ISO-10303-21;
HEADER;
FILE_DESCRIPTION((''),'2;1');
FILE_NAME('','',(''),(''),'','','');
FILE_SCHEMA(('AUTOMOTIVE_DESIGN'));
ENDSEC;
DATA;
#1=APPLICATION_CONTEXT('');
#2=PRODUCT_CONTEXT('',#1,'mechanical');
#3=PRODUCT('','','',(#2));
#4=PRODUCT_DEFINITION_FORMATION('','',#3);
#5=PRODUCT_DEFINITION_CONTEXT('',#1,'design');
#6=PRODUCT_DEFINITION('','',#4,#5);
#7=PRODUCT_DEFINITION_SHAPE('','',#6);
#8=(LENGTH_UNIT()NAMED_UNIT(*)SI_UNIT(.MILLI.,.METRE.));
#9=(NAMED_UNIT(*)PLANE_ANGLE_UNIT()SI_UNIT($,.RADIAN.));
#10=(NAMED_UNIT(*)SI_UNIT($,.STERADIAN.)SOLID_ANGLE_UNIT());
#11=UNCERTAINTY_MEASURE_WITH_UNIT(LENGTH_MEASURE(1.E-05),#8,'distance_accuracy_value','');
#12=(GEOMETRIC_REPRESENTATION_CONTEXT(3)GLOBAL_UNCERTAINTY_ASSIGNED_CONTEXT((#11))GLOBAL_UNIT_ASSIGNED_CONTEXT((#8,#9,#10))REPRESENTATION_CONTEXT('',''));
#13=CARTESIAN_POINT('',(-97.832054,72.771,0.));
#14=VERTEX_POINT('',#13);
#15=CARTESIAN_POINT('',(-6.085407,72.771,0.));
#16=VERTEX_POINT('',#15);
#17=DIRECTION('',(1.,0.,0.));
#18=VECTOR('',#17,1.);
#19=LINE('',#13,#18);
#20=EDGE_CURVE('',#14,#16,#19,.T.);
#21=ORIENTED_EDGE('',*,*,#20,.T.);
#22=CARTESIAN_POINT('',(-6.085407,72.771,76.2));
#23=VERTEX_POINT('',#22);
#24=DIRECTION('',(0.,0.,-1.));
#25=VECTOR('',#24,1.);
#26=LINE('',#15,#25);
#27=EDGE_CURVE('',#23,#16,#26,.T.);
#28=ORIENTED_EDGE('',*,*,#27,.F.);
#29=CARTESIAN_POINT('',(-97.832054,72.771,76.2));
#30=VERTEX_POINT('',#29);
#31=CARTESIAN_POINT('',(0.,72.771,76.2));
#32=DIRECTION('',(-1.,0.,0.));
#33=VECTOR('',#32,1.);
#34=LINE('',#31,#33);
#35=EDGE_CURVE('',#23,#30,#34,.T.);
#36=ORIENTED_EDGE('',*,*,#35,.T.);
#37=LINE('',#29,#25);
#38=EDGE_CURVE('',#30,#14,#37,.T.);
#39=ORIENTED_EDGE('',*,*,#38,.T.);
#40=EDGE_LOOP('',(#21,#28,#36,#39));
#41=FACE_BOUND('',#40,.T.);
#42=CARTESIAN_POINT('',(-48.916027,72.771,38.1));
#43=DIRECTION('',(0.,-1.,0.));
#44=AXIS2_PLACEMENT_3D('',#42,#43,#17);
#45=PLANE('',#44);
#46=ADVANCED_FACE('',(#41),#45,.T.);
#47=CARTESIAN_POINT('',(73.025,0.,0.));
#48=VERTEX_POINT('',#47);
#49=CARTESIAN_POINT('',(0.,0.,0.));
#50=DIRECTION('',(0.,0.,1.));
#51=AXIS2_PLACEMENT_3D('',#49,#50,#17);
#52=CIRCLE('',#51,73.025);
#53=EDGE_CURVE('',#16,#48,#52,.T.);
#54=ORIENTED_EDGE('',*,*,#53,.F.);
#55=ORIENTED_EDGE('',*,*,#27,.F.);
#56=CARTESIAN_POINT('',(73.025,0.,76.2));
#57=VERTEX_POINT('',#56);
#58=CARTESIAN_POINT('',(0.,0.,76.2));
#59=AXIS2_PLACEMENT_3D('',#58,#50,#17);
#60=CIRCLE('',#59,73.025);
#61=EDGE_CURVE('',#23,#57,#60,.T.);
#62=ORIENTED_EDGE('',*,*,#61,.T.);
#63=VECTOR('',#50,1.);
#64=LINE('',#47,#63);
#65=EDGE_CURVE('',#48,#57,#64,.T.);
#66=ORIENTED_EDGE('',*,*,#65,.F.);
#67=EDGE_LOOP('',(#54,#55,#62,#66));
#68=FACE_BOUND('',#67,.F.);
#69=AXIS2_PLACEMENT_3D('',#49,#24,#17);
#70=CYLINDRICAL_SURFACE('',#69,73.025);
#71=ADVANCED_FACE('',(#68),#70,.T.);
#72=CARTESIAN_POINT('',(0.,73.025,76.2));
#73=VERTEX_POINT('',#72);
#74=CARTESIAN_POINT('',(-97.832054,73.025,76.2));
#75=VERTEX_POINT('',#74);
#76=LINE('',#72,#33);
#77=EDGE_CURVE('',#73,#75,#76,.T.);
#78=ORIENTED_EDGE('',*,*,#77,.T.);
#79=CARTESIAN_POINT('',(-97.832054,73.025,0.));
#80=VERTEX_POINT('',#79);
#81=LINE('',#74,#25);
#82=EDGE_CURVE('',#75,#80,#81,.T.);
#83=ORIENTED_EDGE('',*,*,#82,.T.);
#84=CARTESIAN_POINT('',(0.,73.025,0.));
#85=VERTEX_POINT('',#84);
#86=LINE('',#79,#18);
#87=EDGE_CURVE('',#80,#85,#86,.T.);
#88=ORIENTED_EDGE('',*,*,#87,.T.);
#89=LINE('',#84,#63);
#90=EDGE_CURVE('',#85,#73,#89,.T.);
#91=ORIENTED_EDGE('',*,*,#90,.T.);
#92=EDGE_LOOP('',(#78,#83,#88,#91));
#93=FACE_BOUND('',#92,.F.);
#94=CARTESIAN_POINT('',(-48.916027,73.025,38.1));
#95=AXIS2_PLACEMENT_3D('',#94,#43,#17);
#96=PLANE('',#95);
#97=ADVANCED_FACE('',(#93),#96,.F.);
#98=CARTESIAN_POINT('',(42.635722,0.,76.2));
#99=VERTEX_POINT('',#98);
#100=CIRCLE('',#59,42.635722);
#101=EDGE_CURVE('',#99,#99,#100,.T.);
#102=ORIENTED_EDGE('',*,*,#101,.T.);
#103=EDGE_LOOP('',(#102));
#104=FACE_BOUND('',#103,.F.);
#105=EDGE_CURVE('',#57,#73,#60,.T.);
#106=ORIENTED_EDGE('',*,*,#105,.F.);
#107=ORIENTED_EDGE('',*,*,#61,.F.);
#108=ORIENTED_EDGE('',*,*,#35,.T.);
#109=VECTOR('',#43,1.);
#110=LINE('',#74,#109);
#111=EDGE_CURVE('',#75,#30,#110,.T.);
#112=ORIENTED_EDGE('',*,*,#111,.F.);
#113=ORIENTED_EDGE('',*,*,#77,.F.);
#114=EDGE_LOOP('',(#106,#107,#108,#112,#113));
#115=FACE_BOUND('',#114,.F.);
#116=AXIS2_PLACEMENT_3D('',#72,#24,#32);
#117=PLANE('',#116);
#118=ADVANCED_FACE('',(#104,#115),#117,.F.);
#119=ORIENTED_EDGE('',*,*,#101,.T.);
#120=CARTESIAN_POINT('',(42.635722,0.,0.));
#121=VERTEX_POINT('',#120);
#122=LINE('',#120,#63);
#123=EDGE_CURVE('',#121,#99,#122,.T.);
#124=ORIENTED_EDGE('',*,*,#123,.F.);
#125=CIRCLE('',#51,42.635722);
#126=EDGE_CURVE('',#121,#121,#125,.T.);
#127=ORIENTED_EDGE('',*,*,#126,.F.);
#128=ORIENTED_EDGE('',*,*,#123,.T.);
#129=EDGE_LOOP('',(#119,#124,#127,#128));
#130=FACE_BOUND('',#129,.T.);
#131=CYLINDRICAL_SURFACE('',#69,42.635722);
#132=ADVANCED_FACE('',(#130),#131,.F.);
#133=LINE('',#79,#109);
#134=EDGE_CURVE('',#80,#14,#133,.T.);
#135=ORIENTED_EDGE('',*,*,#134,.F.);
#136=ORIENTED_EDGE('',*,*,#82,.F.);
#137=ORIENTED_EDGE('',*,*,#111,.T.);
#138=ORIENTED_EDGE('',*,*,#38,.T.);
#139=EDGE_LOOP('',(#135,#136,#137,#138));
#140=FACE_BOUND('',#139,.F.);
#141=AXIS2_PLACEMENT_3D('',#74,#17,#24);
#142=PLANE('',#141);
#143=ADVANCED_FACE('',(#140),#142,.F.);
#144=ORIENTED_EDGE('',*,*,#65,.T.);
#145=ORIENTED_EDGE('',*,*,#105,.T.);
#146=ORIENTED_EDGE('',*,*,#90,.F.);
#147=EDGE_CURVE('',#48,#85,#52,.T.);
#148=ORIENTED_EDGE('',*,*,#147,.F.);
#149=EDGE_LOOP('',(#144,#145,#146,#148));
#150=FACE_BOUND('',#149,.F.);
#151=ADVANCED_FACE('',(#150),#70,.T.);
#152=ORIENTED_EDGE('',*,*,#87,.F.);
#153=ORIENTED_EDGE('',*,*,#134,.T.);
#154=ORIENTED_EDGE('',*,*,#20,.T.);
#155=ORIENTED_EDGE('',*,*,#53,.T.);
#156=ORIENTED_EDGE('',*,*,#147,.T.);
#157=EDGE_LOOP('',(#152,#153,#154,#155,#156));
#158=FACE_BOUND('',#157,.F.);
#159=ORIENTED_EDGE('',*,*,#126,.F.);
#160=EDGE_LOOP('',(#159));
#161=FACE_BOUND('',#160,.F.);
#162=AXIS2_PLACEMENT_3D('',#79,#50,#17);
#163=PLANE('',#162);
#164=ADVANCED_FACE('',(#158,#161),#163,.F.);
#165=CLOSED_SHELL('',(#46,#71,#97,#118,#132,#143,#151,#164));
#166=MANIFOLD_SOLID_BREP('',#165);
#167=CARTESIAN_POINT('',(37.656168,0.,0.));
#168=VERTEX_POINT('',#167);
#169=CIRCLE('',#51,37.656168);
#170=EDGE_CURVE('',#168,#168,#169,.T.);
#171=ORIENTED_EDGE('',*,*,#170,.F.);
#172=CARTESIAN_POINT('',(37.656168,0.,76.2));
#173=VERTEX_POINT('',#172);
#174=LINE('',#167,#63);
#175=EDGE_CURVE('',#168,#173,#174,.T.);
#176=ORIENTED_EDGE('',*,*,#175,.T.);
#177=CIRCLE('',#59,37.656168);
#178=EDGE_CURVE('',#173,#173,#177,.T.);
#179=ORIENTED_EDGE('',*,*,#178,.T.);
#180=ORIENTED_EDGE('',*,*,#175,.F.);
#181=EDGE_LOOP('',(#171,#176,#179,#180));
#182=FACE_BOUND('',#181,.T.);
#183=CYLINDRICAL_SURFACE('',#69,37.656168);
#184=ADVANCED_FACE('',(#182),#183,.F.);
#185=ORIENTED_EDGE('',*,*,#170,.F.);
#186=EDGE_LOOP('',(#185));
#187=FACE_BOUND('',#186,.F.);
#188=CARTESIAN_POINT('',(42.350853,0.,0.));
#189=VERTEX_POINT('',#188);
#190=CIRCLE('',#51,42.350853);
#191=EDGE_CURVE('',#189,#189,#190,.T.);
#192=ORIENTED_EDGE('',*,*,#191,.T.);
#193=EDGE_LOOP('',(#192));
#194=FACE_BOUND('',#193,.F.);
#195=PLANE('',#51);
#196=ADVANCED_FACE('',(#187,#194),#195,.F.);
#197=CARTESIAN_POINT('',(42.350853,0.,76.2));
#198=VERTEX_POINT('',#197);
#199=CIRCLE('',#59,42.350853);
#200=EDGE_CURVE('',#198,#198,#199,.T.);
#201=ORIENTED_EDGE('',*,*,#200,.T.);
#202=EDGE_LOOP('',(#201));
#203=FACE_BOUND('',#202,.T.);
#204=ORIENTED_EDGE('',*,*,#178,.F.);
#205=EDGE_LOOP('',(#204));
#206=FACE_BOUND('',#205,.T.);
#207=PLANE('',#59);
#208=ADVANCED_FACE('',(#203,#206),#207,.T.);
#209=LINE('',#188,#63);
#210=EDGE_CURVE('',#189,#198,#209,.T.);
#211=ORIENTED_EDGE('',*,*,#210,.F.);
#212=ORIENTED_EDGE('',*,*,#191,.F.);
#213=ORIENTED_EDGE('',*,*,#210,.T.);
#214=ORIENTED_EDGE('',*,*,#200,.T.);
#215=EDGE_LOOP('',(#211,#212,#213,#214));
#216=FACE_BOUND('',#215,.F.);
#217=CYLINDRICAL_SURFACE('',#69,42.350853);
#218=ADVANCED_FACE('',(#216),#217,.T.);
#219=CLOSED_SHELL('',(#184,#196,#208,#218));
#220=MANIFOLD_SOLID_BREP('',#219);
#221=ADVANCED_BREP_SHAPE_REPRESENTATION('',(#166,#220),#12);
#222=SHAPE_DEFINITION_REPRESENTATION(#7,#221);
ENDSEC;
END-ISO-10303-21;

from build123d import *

# Parameters (mm, degrees)
F0_R     = 73.025
F0_R_2   = 42.635722
F1_DEPTH = 76.2
F2_R     = 42.350853
F2_R_2   = 37.656168
F3_DEPTH = 76.2
F6_DEPTH = 0.254


with BuildPart() as f1:
    # F0 (on Top) → F1 (new body)
    with BuildSketch(Plane.XY):
        Circle(F0_R)
        Circle(F0_R_2, mode=Mode.SUBTRACT)
    extrude(amount=F1_DEPTH)

    # F5 (on offset) → F6 (join)
    with BuildSketch(Plane.XZ.offset(-73.025)):
        Polygon((-97.832054, 0), (0, 0), (0, 76.2), (-73.025, 76.2), (-97.832054, 76.2), align=None)
    extrude(amount=F6_DEPTH)


with BuildPart() as f3:
    # F2 (on Top) → F3 (new body)
    with BuildSketch(Plane.XY):
        Circle(F2_R)
        Circle(F2_R_2, mode=Mode.SUBTRACT)
    extrude(amount=F3_DEPTH)


solid = Compound([f1.part, f3.part])
